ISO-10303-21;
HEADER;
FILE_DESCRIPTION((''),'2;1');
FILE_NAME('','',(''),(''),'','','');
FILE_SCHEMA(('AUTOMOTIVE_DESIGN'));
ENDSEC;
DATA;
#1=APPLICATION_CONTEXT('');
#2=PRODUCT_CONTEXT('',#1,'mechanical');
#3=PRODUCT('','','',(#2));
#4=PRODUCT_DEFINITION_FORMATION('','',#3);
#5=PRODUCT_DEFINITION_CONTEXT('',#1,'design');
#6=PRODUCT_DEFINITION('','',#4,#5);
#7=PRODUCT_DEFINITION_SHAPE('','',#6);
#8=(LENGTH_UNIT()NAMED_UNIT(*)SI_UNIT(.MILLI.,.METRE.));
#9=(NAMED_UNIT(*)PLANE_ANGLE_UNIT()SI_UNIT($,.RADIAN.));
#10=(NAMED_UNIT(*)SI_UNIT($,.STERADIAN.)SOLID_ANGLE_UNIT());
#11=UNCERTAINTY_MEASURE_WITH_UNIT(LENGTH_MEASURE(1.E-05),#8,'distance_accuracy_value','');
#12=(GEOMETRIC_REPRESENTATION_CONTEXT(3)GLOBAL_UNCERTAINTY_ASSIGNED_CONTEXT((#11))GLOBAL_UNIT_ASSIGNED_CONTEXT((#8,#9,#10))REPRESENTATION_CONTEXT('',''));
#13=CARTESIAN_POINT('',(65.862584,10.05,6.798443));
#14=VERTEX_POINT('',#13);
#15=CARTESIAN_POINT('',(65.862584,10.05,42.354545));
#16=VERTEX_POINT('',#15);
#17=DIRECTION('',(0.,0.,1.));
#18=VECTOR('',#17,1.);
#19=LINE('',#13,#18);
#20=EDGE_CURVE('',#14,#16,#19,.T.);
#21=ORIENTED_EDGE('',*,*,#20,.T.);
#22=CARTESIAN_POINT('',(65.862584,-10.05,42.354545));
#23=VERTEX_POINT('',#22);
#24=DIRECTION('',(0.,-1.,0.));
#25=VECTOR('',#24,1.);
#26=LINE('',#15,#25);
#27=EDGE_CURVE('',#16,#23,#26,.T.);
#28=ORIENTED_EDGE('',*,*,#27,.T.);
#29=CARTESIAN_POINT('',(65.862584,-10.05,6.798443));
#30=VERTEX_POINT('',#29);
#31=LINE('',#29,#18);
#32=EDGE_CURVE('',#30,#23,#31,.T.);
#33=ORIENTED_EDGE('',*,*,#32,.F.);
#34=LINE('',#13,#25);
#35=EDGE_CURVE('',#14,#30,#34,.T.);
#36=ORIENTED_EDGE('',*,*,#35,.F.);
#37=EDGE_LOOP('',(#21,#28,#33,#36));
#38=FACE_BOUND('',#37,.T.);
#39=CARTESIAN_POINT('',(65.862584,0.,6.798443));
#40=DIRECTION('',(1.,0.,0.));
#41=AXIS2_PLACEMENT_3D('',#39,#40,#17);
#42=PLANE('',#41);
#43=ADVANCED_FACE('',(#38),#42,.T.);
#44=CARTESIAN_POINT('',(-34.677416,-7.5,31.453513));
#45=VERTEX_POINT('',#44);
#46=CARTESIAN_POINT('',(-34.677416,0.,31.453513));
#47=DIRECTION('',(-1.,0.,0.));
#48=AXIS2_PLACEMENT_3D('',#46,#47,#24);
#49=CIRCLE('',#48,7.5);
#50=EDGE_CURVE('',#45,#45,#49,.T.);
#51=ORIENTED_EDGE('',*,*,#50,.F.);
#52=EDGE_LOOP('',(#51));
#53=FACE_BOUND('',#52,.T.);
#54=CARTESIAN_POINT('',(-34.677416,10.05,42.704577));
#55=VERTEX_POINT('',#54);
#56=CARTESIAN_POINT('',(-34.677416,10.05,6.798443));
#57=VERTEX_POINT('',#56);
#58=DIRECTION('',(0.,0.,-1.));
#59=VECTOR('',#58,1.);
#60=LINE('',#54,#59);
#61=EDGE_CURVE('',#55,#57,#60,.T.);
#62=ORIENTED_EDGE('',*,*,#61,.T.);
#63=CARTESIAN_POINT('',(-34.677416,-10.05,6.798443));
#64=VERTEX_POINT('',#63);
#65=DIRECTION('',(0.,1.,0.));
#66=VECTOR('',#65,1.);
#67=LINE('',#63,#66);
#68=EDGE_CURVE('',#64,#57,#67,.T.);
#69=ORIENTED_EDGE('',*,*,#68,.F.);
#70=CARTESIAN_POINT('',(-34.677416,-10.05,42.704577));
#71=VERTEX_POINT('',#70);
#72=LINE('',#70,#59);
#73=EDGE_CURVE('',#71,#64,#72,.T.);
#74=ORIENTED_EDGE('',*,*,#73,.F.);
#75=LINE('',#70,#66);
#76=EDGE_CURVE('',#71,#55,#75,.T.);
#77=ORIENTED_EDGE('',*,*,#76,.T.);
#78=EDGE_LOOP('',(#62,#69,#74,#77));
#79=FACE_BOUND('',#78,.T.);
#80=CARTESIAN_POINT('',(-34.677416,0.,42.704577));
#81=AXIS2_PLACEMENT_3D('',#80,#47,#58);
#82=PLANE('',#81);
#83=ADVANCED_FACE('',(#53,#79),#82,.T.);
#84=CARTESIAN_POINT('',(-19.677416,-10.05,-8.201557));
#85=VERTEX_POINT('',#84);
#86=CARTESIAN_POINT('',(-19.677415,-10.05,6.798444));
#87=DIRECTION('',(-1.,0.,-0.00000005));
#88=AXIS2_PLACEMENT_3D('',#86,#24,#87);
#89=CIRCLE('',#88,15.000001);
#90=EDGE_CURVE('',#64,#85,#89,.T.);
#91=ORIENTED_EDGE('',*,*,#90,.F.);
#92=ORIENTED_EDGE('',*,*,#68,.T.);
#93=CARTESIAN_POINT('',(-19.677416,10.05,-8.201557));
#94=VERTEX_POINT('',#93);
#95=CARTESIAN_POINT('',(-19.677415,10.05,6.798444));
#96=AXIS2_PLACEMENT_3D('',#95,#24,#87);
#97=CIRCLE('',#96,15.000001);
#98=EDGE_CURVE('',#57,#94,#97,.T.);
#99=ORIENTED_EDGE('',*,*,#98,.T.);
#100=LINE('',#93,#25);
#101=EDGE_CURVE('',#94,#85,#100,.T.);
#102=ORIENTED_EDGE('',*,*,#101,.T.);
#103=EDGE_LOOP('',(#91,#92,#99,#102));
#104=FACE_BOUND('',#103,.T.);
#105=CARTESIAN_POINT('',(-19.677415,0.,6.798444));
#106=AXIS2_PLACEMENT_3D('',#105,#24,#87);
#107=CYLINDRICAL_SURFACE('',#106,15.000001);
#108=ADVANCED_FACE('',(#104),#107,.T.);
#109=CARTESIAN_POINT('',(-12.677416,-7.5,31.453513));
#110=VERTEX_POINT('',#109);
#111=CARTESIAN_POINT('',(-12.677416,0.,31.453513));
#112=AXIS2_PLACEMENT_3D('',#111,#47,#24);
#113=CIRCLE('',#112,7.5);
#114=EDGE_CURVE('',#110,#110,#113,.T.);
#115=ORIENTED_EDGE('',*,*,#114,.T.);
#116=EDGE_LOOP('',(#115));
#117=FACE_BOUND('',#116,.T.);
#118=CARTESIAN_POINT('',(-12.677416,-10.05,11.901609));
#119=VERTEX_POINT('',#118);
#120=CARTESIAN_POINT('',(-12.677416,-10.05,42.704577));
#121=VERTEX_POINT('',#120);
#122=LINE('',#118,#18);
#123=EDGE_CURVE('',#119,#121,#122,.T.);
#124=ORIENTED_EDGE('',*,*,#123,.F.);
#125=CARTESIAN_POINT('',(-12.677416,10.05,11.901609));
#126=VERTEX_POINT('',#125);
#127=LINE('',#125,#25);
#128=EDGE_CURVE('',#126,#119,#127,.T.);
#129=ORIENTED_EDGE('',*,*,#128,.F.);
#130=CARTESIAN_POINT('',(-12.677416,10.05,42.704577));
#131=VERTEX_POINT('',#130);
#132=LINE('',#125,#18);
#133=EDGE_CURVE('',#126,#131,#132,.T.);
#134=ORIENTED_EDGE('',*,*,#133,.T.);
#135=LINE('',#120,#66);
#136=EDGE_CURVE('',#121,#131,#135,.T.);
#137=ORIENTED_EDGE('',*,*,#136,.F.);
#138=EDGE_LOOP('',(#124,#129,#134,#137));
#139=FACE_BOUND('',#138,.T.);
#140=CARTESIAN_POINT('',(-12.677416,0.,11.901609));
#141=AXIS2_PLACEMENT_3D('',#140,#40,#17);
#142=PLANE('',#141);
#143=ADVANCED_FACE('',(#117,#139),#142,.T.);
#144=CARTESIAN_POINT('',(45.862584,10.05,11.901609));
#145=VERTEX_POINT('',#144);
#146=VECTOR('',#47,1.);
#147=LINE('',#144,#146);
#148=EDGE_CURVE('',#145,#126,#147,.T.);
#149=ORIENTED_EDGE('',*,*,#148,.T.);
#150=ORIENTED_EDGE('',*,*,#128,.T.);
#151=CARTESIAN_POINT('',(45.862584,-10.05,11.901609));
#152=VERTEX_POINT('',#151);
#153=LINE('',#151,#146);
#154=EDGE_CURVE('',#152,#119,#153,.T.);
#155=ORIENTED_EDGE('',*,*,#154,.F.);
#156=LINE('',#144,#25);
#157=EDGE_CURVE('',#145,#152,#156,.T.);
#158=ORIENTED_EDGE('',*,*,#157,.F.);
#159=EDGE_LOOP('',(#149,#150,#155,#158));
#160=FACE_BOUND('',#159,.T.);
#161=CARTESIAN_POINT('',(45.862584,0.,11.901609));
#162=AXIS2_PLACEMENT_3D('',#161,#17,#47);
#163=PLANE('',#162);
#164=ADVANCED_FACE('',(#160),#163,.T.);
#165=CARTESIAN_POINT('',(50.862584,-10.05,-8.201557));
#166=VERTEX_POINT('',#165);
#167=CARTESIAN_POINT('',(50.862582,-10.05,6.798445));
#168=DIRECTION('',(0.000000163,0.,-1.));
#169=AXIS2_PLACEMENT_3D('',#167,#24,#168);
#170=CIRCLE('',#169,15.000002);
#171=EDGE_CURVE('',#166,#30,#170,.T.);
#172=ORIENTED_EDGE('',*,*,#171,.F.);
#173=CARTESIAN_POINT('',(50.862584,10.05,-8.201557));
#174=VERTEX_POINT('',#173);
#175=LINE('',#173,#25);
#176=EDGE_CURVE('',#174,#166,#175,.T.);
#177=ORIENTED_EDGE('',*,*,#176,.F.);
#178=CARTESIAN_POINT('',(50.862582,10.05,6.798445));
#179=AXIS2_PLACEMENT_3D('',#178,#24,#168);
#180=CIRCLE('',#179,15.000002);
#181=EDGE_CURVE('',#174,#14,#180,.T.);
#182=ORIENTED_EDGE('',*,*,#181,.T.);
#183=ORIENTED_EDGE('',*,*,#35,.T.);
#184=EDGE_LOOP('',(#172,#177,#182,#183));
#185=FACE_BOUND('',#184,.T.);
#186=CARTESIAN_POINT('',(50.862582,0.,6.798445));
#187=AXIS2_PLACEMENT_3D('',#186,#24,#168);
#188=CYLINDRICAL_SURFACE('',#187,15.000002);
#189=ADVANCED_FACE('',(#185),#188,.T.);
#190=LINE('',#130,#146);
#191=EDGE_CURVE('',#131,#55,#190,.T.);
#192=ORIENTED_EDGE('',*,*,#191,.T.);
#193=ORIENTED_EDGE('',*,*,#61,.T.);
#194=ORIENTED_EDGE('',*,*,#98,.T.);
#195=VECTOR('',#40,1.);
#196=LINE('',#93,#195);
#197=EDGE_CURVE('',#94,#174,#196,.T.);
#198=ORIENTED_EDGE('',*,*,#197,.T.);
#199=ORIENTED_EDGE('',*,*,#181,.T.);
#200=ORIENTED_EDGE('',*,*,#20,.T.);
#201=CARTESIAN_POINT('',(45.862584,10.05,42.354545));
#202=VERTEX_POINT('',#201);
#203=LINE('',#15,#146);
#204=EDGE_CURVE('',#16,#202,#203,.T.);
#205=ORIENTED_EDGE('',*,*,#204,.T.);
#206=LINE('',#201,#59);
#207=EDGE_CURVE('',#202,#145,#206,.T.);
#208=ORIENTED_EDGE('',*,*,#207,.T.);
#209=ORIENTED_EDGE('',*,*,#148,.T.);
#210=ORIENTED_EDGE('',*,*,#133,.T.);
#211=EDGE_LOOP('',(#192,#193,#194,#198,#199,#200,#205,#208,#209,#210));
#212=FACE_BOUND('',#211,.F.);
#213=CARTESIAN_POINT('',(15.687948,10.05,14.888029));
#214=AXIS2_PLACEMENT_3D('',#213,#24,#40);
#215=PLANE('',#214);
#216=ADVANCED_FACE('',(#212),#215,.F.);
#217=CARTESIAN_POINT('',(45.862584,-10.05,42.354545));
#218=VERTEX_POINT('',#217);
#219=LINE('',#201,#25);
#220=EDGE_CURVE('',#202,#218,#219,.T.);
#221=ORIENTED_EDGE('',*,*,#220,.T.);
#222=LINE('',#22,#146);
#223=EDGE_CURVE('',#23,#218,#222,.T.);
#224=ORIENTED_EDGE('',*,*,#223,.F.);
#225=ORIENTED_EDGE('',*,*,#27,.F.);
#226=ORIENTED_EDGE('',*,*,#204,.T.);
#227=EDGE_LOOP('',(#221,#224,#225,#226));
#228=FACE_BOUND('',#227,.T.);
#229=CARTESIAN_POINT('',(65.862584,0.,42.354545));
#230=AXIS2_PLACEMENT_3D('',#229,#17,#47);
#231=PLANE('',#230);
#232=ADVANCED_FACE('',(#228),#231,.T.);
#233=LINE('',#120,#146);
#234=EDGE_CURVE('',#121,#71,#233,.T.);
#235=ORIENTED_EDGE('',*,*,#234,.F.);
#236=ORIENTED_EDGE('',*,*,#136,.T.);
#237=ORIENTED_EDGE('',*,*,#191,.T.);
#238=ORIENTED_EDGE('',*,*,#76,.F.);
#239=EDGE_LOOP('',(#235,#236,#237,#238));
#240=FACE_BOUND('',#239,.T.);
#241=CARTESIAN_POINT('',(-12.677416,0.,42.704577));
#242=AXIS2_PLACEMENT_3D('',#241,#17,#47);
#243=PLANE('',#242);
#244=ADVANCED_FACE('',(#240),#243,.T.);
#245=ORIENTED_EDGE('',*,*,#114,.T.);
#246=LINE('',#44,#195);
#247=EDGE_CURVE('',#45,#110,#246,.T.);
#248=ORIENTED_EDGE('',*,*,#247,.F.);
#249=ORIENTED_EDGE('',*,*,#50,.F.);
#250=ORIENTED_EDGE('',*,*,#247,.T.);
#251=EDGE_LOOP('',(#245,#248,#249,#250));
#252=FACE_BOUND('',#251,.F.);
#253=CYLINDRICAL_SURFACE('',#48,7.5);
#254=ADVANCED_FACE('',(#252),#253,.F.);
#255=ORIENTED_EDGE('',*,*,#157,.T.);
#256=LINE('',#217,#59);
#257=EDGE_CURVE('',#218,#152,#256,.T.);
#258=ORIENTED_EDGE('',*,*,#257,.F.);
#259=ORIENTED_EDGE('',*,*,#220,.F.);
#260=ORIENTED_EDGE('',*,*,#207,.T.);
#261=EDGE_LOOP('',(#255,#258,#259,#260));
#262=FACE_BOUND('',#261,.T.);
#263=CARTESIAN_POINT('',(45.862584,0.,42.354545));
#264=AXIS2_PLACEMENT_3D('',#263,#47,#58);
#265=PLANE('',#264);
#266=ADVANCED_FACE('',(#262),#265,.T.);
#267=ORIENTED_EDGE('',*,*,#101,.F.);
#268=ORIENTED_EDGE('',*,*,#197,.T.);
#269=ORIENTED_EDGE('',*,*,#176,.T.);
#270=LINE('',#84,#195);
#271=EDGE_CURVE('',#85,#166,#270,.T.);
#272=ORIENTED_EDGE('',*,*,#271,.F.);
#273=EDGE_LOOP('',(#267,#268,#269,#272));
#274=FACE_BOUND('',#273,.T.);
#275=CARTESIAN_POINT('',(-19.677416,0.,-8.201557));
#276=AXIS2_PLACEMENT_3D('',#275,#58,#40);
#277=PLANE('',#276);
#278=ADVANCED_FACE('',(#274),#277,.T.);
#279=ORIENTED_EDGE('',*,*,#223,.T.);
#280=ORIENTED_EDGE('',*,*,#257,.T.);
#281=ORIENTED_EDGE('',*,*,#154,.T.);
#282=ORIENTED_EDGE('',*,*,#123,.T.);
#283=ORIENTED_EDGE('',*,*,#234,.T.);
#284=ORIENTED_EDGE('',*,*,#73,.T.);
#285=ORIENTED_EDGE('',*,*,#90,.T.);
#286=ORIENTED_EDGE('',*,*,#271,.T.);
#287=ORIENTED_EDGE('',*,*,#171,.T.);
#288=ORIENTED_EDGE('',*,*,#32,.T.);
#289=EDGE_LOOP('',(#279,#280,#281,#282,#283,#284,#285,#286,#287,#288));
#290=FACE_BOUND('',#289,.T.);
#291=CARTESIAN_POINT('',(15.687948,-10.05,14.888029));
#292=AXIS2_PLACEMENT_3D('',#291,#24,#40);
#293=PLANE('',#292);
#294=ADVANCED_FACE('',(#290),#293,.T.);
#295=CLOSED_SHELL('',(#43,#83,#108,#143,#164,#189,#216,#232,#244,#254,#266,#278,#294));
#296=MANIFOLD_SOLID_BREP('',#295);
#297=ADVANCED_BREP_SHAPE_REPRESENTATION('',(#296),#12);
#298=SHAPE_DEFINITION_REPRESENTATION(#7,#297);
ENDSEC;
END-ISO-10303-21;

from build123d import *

# Parameters (mm, degrees)
F1_DEPTH = 10.05
F2_R     = 7.5
F3_DEPTH = 25


with BuildPart() as f1:
    # F0 (on Front) → F1 (new body, symmetric)
    with BuildSketch(Plane.XZ):
        with BuildLine():
            ThreePointArc((-34.677416, 6.798443), (-30.284018, -3.808158), (-19.677416, -8.201557))
            Line((-19.677416, -8.201557), (50.862584, -8.201557))
            ThreePointArc((50.862584, -8.201557), (61.469185, -3.808158), (65.862584, 6.798443))
            Line((65.862584, 6.798443), (65.862584, 42.354545))
            Line((65.862584, 42.354545), (45.862584, 42.354545))
            Line((45.862584, 42.354545), (45.862584, 11.901609))
            Line((45.862584, 11.901609), (-12.677416, 11.901609))
            Line((-12.677416, 11.901609), (-12.677416, 42.704577))
            Line((-12.677416, 42.704577), (-34.677416, 42.704577))
            Line((-34.677416, 42.704577), (-34.677416, 6.798443))
        make_face()
    extrude(amount=F1_DEPTH, both=True)

    # F2 (on face) → F3 (cut)
    with BuildSketch(Plane(origin=(-34.677416, 0, 0), x_dir=(0, -1, 0), z_dir=(-1, 0, 0))):
        with Locations((0, 31.453513)):
            Circle(F2_R)
    extrude(amount=-F3_DEPTH, mode=Mode.SUBTRACT)


solid = f1.part
